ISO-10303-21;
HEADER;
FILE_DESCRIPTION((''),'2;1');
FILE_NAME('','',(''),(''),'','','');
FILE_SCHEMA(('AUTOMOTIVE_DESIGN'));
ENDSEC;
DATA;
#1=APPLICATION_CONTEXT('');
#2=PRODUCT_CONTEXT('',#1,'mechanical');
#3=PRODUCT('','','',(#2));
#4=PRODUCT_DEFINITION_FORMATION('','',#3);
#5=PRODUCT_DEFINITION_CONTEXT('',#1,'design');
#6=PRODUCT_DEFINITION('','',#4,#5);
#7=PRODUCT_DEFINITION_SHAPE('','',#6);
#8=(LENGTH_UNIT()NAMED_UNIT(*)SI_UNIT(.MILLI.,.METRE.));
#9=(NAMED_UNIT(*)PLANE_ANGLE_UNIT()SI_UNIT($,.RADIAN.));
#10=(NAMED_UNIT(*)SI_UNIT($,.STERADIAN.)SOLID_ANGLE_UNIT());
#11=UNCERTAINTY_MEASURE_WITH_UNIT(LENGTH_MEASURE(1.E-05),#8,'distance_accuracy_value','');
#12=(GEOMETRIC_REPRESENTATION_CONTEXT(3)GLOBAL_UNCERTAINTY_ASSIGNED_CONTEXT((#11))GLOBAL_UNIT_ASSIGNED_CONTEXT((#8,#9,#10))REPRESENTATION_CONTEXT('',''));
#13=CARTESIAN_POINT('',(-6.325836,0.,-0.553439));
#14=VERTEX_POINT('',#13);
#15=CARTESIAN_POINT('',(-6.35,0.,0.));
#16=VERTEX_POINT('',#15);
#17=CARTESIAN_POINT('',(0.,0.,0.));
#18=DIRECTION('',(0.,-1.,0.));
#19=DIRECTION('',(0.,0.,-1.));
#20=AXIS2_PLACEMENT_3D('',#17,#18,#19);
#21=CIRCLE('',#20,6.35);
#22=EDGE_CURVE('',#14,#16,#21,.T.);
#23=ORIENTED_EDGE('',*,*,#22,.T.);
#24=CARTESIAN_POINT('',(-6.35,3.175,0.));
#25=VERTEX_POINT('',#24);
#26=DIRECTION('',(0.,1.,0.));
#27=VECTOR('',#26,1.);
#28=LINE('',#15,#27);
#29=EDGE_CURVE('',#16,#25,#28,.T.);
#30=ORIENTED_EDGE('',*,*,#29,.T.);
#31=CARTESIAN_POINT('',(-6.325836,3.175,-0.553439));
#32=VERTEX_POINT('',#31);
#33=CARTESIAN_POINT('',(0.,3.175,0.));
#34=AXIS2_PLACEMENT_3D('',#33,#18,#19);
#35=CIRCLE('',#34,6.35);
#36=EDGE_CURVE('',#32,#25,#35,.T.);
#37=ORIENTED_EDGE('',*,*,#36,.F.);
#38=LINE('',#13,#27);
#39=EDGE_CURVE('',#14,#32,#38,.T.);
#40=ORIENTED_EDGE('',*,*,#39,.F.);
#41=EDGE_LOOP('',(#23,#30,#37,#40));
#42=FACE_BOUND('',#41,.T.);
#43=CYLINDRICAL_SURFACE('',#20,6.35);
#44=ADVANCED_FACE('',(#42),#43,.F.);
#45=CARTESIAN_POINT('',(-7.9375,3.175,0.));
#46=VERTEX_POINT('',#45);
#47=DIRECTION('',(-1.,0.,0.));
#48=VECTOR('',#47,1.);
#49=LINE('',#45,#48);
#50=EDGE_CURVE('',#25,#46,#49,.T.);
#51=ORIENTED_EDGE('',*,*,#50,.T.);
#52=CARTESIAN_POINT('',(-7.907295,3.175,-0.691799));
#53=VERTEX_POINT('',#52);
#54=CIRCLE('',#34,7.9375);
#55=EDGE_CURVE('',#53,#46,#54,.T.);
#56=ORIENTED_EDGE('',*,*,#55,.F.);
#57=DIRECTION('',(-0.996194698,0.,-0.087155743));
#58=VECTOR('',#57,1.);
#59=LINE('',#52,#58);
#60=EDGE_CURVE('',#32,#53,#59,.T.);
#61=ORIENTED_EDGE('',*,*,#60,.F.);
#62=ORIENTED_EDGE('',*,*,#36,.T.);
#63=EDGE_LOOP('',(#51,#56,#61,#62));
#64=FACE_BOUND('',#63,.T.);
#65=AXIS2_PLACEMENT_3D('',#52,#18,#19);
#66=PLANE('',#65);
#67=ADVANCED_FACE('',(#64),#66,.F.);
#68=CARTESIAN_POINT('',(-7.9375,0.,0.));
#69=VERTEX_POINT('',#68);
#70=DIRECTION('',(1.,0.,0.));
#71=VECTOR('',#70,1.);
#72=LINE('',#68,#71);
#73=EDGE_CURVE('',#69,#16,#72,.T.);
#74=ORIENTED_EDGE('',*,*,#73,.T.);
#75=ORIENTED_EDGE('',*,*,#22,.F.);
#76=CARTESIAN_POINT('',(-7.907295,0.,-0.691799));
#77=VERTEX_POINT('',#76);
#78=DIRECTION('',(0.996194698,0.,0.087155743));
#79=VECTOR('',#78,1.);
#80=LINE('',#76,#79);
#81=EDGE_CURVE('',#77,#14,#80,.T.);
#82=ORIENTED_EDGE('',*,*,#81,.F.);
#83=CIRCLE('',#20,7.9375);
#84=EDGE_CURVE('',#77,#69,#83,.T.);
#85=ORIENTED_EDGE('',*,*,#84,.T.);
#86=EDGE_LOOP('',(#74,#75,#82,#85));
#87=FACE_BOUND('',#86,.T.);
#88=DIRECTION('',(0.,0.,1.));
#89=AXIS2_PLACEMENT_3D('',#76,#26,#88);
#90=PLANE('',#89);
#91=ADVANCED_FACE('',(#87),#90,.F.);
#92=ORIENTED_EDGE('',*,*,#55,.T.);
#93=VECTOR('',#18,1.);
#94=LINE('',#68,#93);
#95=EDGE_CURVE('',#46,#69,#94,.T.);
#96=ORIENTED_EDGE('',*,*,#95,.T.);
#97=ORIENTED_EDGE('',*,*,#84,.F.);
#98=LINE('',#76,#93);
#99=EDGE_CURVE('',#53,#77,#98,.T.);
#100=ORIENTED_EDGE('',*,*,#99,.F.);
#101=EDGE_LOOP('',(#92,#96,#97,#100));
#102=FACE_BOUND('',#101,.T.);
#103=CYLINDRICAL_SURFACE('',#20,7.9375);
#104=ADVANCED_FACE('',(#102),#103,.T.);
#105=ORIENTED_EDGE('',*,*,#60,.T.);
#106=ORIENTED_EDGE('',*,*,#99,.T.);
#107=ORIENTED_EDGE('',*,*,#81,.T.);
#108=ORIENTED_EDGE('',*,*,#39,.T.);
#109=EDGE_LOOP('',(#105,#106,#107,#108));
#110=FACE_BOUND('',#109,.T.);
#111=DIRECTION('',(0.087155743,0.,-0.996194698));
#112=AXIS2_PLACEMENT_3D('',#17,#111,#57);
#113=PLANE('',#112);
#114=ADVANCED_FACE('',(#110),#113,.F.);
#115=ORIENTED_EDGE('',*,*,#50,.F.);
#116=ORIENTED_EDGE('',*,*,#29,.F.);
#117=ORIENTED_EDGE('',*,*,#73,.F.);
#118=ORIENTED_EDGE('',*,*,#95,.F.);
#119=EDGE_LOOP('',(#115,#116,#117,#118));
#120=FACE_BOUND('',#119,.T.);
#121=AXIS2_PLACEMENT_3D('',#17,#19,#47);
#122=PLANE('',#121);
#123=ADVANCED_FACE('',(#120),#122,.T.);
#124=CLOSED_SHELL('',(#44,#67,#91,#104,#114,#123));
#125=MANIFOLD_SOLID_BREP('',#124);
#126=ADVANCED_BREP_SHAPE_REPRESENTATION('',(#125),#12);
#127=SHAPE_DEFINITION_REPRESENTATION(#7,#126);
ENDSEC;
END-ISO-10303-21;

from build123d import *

# Parameters (mm, degrees)
SKETCH1_W      = 1.5875
SKETCH1_H      = 3.175
REVOLVE1_ANGLE = 355


with BuildPart() as part:
    # Sketch1 → Revolve1 (revolve)
    with BuildSketch(Plane.XY):
        with Locations((-7.14375, 1.5875)):
            Rectangle(SKETCH1_W, SKETCH1_H)
    revolve(axis=Axis((0, 0, 0), (0, 1, 0)), revolution_arc=REVOLVE1_ANGLE)


solid = part.part
